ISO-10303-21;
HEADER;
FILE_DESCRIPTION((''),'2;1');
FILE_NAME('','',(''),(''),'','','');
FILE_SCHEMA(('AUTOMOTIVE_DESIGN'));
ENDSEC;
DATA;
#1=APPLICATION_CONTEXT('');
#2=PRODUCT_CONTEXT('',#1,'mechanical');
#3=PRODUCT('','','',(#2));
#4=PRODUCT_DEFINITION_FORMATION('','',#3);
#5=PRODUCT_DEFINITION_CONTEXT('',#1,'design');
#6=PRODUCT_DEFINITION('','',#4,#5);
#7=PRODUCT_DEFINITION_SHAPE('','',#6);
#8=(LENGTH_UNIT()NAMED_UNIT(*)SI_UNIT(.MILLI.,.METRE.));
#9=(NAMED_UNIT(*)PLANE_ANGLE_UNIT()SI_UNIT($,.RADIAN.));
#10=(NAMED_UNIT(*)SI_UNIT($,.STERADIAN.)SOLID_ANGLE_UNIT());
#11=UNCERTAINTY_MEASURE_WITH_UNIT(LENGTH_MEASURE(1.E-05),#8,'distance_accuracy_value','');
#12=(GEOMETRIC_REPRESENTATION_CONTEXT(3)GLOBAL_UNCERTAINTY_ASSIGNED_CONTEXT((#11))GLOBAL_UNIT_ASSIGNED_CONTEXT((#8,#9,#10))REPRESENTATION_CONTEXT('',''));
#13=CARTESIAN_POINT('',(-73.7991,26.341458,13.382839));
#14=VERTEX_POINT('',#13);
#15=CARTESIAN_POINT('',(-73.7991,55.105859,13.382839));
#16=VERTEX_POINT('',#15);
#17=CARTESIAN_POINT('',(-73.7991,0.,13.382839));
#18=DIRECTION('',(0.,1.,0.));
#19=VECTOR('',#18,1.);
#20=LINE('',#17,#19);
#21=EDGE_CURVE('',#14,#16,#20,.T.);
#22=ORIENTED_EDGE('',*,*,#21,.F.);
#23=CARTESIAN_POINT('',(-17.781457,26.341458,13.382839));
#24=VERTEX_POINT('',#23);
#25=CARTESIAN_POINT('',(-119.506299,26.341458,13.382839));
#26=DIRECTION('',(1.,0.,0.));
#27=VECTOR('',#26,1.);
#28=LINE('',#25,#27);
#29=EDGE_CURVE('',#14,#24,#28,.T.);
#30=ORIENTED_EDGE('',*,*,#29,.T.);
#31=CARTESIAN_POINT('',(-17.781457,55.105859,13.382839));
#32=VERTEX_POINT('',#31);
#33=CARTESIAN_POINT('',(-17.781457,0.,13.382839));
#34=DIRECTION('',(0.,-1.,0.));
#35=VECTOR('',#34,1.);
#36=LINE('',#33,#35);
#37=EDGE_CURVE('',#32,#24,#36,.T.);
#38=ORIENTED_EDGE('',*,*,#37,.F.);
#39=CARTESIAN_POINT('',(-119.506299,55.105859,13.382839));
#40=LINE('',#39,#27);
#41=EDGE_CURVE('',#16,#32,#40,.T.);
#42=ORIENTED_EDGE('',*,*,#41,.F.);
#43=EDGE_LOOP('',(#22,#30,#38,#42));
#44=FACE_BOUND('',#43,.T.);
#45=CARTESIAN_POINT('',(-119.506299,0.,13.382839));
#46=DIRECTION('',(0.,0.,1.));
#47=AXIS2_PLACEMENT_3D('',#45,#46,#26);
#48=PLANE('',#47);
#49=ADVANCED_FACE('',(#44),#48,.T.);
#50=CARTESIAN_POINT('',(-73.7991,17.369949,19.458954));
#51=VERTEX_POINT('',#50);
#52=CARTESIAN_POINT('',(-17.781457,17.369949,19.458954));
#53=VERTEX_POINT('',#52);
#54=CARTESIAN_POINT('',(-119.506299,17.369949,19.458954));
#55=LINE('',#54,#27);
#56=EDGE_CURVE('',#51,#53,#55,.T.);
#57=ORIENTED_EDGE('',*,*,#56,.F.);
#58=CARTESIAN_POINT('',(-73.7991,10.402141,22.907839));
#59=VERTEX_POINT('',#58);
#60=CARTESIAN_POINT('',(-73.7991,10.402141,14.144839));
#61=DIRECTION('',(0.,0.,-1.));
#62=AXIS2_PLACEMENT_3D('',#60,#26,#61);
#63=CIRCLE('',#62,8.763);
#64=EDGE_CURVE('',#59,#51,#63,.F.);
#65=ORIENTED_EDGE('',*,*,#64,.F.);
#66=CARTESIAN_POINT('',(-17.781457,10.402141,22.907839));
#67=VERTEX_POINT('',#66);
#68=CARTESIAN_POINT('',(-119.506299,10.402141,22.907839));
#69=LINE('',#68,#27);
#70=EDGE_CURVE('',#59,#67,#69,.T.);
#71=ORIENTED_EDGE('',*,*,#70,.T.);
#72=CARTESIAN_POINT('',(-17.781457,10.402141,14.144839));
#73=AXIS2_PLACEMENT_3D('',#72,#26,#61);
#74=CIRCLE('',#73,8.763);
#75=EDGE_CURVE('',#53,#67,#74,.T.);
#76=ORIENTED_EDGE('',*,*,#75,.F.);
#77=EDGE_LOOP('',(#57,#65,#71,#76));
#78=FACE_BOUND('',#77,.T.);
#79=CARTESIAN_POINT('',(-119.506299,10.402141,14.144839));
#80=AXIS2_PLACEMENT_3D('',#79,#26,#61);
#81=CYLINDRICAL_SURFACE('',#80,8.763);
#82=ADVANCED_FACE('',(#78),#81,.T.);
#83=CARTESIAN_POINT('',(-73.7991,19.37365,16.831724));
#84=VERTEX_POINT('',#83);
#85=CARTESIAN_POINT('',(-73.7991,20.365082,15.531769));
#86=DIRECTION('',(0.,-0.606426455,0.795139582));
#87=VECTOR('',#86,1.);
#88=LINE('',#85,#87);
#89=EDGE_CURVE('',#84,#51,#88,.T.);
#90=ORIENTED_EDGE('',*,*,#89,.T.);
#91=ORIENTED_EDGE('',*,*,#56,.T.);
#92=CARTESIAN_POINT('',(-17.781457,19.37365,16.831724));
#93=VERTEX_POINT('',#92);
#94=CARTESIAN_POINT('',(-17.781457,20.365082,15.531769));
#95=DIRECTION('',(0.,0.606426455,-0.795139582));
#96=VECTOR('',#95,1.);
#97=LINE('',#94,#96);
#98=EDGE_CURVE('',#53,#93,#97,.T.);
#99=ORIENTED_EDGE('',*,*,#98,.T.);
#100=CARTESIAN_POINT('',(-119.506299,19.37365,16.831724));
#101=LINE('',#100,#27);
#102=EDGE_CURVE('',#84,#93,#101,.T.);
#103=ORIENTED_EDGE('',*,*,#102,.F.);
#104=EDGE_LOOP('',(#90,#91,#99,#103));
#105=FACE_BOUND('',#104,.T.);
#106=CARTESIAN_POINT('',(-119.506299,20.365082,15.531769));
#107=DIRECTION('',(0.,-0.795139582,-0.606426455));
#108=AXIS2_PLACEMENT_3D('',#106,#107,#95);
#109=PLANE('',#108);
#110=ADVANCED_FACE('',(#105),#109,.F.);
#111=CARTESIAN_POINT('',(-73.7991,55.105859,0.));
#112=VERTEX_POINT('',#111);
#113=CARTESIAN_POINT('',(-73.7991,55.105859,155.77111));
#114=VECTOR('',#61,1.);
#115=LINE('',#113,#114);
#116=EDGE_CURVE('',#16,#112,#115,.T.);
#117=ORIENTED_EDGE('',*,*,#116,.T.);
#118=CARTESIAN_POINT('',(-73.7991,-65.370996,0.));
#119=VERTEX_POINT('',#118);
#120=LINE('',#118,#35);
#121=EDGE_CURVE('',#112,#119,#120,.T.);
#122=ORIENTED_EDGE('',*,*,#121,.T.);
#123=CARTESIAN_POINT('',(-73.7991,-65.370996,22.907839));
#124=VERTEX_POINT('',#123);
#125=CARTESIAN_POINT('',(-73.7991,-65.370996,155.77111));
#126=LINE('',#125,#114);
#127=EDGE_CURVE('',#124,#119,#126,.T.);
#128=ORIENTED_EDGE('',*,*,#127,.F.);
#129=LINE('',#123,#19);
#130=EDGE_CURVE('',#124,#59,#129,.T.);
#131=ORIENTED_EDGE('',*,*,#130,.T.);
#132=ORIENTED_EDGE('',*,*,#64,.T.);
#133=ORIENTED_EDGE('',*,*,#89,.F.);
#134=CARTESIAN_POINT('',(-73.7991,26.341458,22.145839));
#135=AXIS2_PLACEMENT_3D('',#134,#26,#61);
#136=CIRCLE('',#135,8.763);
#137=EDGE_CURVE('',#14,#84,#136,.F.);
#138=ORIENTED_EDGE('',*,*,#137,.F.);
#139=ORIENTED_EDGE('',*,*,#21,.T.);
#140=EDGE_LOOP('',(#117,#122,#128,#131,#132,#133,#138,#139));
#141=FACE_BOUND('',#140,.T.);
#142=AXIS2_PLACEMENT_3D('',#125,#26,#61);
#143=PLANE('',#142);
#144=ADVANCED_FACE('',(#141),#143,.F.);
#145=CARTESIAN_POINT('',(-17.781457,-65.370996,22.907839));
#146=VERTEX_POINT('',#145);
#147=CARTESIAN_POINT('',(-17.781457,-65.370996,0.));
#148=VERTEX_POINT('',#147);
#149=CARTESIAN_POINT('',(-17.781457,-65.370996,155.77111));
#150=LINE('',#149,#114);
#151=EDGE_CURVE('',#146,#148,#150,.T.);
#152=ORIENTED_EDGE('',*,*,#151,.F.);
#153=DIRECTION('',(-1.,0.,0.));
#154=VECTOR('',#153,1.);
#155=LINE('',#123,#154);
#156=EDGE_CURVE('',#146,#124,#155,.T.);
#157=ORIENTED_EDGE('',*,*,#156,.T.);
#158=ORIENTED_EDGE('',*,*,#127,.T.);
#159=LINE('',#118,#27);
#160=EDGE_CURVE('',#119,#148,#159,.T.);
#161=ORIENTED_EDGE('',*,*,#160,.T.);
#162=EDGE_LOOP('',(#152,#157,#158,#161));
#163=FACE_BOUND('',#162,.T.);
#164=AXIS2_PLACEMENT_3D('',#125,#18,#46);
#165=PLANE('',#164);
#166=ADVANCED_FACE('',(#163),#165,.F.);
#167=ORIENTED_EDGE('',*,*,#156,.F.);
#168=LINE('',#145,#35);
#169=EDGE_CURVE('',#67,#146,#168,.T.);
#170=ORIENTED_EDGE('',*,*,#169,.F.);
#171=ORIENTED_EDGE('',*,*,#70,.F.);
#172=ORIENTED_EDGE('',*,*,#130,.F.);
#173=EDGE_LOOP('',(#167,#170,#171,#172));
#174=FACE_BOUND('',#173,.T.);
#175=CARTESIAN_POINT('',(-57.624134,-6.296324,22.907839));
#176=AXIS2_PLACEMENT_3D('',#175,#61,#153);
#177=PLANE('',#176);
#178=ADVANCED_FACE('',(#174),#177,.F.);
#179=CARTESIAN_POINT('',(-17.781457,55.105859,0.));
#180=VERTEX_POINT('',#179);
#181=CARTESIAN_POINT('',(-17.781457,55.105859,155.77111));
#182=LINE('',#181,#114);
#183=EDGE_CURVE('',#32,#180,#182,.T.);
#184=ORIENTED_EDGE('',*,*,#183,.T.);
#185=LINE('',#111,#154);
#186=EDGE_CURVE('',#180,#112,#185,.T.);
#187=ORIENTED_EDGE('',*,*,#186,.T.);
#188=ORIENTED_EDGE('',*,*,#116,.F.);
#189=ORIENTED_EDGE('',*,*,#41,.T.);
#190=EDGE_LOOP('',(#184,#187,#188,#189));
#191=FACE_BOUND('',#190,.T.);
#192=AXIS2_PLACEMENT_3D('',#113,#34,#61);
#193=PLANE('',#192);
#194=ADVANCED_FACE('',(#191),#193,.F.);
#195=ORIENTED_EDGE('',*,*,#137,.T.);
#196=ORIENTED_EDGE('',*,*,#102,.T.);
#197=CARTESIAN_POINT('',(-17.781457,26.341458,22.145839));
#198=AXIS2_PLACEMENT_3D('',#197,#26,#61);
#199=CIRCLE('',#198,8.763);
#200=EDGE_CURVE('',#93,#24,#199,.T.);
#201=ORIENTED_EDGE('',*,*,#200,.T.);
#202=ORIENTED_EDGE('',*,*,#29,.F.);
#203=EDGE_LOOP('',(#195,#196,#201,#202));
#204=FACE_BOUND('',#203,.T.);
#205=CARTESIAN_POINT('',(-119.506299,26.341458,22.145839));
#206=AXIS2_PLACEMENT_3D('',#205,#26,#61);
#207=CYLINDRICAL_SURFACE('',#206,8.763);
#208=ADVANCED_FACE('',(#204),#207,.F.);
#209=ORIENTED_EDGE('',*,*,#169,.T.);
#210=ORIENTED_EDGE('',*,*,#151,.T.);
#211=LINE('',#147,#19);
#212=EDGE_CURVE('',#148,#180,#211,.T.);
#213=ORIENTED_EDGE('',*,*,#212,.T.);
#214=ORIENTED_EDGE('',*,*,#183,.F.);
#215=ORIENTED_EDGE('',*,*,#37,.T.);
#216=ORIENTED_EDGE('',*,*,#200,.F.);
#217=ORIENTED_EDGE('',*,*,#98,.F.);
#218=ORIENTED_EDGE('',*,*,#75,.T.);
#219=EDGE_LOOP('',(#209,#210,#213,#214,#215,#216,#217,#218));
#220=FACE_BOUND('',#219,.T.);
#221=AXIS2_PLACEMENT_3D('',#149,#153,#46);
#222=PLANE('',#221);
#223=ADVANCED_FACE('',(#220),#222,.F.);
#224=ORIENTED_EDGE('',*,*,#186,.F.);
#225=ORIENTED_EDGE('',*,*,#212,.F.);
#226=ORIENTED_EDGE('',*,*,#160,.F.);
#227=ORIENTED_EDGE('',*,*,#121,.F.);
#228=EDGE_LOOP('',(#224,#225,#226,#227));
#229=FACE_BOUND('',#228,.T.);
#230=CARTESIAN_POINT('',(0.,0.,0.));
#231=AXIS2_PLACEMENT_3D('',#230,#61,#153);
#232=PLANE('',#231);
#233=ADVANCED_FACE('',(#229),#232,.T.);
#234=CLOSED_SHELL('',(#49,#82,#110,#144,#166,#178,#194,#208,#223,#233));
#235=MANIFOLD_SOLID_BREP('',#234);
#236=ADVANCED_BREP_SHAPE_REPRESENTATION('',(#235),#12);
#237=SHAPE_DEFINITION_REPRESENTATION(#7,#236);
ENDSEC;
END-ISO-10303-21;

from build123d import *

# Parameters (mm, degrees)
SKETCH1_W           = 56.017642274
SKETCH1_H           = 120.476854835
BOSS_EXTRUDE1_DEPTH = 22.907839
CUT_EXTRUDE1_DEPTH  = 56.017642


with BuildPart() as part:
    # Sketch1 → Boss-Extrude1 (new body)
    with BuildSketch(Plane.XY):
        with Locations((-45.790278616, -5.132568266)):
            Rectangle(SKETCH1_W, SKETCH1_H)
    extrude(amount=BOSS_EXTRUDE1_DEPTH)

    # Sketch2 → Cut-Extrude1 (cut)
    with BuildSketch(Plane(origin=(-17.781457479, 0, 0), x_dir=(0, 0, -1), z_dir=(1, 0, 0))):
        with BuildLine():
            ThreePointArc((-16.831723704, 19.373649849), (-14.292248498, 22.454133795), (-13.382838726, 26.341458007))
            Line((-13.382838726, 26.341458007), (-13.382838726, 55.105859152))
            Line((-13.382838726, 55.105859152), (-22.907838726, 55.105859152))
            Line((-22.907838726, 55.105859152), (-22.907838726, 10.40214091))
            ThreePointArc((-22.907838726, 10.40214091), (-21.998428954, 14.289465122), (-19.458953748, 17.369949068))
            Line((-19.458953748, 17.369949068), (-16.831723704, 19.373649849))
        make_face()
    extrude(amount=-CUT_EXTRUDE1_DEPTH, mode=Mode.SUBTRACT)


solid = part.part
